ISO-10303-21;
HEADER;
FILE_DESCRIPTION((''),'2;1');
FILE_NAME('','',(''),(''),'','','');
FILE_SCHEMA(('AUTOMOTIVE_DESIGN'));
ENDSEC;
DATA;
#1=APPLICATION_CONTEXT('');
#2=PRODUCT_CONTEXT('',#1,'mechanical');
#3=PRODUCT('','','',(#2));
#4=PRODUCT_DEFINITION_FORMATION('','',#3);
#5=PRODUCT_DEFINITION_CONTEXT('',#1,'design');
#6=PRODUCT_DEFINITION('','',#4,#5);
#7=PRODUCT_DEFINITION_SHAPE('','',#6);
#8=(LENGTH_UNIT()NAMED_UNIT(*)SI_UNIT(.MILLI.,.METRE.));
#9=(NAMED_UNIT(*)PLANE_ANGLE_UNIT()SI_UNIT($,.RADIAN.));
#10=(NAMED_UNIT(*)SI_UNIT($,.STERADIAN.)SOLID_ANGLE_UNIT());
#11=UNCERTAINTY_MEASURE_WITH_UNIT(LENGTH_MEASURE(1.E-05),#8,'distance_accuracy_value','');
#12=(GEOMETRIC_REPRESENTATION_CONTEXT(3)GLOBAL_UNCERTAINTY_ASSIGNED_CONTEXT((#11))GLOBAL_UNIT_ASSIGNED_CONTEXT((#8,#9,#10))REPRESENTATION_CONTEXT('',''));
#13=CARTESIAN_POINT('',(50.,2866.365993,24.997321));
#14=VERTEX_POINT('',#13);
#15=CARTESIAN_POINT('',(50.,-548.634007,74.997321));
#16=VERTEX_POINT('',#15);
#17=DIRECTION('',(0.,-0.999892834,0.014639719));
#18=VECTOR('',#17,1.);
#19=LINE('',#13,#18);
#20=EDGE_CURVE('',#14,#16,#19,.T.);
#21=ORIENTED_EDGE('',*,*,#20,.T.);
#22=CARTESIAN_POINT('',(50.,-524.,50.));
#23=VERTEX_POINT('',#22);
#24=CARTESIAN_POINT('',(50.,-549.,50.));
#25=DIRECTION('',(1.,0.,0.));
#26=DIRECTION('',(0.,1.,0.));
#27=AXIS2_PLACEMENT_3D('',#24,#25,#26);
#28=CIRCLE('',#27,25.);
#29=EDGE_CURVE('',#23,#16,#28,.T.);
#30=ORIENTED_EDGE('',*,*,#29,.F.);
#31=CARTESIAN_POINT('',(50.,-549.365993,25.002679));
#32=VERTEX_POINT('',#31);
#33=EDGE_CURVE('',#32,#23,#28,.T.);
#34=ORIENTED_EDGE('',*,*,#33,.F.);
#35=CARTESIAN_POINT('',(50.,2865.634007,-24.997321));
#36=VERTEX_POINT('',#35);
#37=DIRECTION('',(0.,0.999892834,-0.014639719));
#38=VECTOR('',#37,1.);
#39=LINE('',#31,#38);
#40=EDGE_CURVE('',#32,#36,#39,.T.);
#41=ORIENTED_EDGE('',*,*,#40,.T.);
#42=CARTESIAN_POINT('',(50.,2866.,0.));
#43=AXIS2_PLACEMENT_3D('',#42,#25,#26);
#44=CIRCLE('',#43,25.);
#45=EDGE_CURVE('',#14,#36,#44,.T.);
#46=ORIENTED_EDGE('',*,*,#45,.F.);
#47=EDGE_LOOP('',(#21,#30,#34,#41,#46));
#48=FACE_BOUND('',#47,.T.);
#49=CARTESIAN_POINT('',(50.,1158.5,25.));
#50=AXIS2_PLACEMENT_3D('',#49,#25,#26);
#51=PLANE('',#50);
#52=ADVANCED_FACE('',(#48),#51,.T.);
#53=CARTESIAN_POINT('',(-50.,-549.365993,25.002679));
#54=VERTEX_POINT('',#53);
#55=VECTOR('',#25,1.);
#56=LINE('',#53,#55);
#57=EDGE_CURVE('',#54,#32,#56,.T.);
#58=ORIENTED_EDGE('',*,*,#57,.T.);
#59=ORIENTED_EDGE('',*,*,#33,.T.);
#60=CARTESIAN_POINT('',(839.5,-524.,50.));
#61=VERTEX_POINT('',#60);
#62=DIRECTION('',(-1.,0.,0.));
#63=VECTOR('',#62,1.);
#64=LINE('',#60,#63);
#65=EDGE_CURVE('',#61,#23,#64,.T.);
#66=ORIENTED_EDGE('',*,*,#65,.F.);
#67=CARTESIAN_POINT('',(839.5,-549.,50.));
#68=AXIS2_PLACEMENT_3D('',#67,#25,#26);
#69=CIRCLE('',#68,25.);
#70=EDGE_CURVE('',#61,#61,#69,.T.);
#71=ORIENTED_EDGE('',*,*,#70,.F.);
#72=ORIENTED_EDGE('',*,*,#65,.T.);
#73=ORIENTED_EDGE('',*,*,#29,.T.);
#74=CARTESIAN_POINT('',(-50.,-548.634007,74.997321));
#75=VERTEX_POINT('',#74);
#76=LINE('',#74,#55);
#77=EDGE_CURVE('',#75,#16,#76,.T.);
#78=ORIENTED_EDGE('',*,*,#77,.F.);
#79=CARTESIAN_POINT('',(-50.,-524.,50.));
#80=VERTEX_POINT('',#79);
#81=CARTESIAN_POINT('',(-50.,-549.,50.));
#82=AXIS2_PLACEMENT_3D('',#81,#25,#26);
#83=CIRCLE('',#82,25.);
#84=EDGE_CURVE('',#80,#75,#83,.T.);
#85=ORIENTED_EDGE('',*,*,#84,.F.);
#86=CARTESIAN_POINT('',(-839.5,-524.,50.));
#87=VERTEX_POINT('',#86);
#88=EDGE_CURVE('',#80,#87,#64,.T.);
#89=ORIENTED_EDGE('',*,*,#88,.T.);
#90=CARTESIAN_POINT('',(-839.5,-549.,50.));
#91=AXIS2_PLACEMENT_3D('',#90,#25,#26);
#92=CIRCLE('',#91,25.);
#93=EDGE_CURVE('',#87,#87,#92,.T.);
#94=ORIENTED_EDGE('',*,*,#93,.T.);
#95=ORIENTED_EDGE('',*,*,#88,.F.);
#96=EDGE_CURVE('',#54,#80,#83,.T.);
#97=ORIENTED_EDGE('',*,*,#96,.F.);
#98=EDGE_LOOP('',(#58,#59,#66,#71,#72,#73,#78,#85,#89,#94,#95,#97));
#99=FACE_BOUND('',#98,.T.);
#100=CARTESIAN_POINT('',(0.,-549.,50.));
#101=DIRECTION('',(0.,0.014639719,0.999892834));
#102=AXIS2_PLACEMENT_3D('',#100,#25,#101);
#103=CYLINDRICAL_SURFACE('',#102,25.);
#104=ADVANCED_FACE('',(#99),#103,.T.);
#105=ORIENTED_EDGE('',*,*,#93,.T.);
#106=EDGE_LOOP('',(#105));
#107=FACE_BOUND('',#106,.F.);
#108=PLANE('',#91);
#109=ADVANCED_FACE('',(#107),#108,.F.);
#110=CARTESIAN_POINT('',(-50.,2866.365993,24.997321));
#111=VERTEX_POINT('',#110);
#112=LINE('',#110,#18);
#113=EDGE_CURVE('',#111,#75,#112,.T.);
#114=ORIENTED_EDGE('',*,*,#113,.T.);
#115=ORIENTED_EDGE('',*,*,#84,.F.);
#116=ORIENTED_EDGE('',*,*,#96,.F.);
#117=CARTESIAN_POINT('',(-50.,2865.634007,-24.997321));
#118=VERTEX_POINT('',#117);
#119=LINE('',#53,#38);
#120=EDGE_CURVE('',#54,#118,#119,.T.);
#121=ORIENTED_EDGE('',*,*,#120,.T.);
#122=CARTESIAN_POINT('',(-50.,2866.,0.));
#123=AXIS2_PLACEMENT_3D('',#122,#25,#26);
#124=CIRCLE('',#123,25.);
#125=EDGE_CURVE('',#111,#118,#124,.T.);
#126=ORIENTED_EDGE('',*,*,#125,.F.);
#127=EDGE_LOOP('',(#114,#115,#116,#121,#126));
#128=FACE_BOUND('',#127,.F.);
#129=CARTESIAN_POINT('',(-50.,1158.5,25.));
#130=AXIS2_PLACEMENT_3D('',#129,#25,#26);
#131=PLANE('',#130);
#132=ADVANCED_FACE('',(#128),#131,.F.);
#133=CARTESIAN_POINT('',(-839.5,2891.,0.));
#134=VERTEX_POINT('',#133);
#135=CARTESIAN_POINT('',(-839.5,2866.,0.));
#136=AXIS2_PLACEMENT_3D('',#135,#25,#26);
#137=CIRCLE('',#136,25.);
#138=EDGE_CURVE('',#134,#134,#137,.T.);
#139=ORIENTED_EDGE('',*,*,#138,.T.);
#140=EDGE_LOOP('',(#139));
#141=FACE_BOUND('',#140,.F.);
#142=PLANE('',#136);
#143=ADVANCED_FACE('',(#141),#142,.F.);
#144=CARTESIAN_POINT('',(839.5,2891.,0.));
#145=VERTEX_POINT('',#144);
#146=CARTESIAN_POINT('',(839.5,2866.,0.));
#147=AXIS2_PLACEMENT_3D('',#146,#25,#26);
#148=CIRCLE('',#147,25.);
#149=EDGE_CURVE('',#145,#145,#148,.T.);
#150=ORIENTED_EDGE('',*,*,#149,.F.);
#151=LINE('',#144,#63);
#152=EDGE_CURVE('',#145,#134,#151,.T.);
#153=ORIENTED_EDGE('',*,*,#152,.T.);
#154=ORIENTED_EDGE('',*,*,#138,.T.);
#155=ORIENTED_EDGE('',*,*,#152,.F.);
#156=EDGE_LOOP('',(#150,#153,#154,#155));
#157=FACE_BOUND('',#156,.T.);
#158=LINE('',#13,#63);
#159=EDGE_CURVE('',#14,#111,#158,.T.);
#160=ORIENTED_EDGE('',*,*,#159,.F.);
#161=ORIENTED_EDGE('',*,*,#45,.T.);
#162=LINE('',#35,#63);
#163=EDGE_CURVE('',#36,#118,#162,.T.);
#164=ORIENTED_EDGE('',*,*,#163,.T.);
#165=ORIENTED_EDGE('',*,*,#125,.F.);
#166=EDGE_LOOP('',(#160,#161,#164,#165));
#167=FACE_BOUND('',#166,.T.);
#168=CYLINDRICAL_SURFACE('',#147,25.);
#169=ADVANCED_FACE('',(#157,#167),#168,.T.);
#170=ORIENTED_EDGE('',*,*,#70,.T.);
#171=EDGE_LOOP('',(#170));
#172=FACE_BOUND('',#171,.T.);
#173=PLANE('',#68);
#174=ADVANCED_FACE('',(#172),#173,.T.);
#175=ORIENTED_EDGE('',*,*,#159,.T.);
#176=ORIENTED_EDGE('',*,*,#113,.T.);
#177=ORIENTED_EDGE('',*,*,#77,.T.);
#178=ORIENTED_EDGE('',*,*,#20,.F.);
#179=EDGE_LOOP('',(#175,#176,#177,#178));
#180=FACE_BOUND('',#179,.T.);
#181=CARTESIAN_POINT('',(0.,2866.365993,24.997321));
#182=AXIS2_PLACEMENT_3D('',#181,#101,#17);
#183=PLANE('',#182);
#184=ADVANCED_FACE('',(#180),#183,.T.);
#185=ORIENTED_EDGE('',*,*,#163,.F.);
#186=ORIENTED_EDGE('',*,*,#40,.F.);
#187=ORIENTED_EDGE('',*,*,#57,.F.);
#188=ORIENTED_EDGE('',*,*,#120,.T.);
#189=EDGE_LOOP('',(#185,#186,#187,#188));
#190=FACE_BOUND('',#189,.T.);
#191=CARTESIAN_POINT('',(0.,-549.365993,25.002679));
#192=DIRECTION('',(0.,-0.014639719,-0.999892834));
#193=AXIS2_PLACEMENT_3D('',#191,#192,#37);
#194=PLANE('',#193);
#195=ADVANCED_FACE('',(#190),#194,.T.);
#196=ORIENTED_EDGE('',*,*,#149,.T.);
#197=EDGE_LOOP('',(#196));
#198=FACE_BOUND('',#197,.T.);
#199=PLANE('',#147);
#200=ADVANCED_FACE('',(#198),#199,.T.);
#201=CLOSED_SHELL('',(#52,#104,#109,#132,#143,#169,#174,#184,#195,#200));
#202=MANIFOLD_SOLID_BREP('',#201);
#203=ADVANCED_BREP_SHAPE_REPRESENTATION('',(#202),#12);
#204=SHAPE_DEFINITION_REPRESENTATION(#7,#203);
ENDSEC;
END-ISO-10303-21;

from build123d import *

# Parameters (mm, degrees)
F2_R     = 25
F3_DEPTH = 1679
F5_DEPTH = 50


with BuildPart() as f3:
    # F2 (on plane+point) → F3 (new body, through all)
    with BuildSketch(Plane.YZ.offset(839.5)):
        with Locations((-549, 50)):
            Circle(F2_R)
    extrude(amount=-F3_DEPTH)



with BuildPart() as f3b:
    # F2 (on plane+point) → F3, piece 2 (new body, through all)
    with BuildSketch(Plane.YZ.offset(839.5)):
        with Locations((2866, 0)):
            Circle(F2_R)
    extrude(amount=-F3_DEPTH)


with BuildPart() as f3_1:
    add(f3.part)

    add(f3b.part)  # F5 merges F3b
    # F4 (on Right) → F5 (join, symmetric)
    with BuildSketch(Plane.YZ):
        with BuildLine():
            Line((2866.3659929845, 24.9973208391), (-548.6340070155, 74.9973208391))
            ThreePointArc((-548.6340070155, 74.9973208391), (-573.9973208391, 50.3659929845), (-549.3659929845, 25.0026791609))
            Line((-549.3659929845, 25.0026791609), (2865.6340070155, -24.9973208391))
            ThreePointArc((2865.6340070155, -24.9973208391), (2890.9973208391, -0.3659929845), (2866.3659929845, 24.9973208391))
        make_face()
    extrude(amount=F5_DEPTH, both=True)


solid = f3_1.part
